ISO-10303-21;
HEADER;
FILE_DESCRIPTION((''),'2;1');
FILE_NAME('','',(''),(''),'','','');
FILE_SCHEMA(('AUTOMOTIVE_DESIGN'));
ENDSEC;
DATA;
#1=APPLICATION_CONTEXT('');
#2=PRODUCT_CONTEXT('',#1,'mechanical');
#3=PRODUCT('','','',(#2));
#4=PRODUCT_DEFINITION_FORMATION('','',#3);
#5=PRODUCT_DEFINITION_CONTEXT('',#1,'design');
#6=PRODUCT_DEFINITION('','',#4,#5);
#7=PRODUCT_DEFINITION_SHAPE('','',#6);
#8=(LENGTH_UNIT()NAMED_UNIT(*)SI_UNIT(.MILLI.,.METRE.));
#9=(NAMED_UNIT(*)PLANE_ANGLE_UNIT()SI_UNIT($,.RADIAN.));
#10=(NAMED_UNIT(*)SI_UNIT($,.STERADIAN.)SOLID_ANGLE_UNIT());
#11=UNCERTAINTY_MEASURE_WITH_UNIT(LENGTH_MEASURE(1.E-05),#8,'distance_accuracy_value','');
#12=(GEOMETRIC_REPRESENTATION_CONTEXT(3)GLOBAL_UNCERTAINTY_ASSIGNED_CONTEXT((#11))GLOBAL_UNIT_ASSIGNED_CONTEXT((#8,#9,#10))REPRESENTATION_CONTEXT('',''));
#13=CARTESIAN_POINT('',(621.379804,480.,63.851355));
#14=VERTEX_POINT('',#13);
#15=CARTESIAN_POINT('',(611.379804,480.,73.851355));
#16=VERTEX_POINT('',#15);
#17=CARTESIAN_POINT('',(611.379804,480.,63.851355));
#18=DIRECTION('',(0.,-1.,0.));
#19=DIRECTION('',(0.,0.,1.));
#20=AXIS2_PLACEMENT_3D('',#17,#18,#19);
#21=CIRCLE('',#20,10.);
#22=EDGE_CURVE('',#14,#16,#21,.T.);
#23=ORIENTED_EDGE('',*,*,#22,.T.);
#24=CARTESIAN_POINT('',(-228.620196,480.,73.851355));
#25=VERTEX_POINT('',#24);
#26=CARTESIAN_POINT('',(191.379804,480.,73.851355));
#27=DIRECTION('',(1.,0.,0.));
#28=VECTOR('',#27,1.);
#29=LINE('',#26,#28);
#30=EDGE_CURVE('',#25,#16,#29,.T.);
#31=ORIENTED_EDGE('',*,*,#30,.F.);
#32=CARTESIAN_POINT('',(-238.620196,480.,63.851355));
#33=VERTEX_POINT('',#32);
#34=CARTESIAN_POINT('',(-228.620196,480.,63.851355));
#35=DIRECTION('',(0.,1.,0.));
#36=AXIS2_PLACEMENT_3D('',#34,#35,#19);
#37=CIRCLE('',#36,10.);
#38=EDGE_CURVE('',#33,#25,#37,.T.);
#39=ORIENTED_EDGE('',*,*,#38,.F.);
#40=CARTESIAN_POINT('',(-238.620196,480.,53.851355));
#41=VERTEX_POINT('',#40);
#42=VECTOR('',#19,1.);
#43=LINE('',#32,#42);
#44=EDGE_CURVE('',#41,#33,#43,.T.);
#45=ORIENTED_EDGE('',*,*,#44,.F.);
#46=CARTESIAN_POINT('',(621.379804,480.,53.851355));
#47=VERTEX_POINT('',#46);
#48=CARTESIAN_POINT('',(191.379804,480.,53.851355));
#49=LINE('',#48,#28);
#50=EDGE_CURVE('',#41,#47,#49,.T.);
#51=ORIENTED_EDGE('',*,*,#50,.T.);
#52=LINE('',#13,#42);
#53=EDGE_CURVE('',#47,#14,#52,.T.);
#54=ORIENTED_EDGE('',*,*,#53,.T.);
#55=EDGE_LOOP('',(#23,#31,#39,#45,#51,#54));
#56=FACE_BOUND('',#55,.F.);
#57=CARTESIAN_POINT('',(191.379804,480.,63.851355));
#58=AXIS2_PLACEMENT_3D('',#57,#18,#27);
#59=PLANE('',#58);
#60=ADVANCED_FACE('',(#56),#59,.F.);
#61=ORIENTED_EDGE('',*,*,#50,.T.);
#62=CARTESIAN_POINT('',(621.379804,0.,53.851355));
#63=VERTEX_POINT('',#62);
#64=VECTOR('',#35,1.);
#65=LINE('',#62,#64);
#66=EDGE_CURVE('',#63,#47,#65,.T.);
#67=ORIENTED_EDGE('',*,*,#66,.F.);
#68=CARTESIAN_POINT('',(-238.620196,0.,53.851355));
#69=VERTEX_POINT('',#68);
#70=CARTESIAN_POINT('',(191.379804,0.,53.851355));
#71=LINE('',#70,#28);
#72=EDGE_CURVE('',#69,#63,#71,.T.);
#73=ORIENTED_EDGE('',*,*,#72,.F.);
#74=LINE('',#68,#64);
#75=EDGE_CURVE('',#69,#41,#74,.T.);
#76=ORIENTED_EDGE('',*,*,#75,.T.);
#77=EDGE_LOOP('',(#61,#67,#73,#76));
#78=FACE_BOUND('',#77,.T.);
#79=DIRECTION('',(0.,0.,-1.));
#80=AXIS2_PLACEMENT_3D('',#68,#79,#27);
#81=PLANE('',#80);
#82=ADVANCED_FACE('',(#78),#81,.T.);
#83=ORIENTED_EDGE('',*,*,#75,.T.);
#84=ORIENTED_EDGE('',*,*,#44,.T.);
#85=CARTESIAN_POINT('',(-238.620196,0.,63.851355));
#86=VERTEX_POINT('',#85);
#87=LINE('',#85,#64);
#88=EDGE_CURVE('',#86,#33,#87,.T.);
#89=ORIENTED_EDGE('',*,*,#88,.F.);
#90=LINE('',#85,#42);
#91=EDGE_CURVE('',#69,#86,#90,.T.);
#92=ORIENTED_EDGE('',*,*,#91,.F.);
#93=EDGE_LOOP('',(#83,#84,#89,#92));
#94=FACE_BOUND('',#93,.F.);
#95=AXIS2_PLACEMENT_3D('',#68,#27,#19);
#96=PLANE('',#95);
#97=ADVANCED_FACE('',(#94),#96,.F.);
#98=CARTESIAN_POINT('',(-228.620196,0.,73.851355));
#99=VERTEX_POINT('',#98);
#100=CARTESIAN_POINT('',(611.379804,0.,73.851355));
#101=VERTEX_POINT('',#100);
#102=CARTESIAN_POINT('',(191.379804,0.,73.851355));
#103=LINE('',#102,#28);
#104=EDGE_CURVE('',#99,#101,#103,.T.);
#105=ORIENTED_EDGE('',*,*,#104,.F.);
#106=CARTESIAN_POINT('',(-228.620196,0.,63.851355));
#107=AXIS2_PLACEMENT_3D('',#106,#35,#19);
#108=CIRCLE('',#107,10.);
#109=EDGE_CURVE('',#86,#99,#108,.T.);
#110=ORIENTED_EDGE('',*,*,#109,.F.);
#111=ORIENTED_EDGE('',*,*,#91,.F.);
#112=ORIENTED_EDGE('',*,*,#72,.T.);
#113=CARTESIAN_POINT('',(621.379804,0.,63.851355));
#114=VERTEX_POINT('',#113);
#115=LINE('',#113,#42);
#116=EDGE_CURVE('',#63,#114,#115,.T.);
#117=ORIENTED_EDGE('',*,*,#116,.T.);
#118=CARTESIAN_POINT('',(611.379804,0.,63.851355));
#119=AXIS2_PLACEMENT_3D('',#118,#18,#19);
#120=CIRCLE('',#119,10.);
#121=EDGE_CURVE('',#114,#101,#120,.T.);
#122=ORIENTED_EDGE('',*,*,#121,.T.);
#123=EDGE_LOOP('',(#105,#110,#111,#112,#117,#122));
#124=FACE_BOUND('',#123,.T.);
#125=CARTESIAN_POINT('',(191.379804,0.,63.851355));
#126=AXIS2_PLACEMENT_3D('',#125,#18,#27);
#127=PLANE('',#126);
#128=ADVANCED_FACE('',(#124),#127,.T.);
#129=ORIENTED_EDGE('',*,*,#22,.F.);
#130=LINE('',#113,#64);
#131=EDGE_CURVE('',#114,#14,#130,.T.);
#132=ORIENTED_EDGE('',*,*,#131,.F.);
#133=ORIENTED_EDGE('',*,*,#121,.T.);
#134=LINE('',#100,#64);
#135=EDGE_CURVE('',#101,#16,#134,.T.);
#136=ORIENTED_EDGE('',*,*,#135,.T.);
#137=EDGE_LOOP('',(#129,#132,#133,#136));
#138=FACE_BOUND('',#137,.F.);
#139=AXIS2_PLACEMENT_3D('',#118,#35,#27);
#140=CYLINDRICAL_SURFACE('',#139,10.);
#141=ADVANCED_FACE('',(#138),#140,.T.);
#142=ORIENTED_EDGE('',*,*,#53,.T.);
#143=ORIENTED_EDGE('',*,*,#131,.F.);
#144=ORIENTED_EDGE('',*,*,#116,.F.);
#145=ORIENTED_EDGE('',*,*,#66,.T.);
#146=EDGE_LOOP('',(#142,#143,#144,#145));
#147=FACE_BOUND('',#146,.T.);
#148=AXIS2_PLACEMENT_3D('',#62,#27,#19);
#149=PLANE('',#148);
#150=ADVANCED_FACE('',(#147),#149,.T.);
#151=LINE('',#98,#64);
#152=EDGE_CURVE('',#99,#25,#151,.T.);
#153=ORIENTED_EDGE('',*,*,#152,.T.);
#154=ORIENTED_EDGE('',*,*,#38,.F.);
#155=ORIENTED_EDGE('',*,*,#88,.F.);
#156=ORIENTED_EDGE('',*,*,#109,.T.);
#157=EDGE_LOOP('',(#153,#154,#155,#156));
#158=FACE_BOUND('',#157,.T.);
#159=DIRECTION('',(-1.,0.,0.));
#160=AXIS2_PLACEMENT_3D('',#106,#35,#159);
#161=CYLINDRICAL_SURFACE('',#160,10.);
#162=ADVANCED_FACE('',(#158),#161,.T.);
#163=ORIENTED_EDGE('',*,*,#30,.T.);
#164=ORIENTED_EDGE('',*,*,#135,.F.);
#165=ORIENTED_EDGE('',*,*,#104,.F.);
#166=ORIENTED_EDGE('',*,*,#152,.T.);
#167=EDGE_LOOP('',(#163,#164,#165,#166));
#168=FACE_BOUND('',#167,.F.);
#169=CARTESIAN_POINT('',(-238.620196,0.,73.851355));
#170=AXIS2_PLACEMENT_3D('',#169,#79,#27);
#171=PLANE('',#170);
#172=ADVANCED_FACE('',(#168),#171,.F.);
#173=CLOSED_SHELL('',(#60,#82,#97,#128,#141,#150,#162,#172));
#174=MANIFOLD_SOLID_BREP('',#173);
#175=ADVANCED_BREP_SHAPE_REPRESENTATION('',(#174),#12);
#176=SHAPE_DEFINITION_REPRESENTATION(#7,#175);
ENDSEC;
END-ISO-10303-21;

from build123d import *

# Parameters (mm, degrees)
F0_W     = 860
F0_H     = 20
F1_DEPTH = 480
F2_R     = 10


with BuildPart() as f1:
    # F0 (on Front) → F1 (new body)
    with BuildSketch(Plane.XZ):
        with Locations((191.379804, 63.851355)):
            Rectangle(F0_W, F0_H)
    extrude(amount=-F1_DEPTH)

    # F2
    f2_edges = [f1.edges().sort_by_distance(p)[0] for p in [
        (621.379804, 240, 73.851355),
        (-238.620196, 240, 73.851355),
    ]]
    fillet(f2_edges, radius=F2_R)


solid = f1.part
